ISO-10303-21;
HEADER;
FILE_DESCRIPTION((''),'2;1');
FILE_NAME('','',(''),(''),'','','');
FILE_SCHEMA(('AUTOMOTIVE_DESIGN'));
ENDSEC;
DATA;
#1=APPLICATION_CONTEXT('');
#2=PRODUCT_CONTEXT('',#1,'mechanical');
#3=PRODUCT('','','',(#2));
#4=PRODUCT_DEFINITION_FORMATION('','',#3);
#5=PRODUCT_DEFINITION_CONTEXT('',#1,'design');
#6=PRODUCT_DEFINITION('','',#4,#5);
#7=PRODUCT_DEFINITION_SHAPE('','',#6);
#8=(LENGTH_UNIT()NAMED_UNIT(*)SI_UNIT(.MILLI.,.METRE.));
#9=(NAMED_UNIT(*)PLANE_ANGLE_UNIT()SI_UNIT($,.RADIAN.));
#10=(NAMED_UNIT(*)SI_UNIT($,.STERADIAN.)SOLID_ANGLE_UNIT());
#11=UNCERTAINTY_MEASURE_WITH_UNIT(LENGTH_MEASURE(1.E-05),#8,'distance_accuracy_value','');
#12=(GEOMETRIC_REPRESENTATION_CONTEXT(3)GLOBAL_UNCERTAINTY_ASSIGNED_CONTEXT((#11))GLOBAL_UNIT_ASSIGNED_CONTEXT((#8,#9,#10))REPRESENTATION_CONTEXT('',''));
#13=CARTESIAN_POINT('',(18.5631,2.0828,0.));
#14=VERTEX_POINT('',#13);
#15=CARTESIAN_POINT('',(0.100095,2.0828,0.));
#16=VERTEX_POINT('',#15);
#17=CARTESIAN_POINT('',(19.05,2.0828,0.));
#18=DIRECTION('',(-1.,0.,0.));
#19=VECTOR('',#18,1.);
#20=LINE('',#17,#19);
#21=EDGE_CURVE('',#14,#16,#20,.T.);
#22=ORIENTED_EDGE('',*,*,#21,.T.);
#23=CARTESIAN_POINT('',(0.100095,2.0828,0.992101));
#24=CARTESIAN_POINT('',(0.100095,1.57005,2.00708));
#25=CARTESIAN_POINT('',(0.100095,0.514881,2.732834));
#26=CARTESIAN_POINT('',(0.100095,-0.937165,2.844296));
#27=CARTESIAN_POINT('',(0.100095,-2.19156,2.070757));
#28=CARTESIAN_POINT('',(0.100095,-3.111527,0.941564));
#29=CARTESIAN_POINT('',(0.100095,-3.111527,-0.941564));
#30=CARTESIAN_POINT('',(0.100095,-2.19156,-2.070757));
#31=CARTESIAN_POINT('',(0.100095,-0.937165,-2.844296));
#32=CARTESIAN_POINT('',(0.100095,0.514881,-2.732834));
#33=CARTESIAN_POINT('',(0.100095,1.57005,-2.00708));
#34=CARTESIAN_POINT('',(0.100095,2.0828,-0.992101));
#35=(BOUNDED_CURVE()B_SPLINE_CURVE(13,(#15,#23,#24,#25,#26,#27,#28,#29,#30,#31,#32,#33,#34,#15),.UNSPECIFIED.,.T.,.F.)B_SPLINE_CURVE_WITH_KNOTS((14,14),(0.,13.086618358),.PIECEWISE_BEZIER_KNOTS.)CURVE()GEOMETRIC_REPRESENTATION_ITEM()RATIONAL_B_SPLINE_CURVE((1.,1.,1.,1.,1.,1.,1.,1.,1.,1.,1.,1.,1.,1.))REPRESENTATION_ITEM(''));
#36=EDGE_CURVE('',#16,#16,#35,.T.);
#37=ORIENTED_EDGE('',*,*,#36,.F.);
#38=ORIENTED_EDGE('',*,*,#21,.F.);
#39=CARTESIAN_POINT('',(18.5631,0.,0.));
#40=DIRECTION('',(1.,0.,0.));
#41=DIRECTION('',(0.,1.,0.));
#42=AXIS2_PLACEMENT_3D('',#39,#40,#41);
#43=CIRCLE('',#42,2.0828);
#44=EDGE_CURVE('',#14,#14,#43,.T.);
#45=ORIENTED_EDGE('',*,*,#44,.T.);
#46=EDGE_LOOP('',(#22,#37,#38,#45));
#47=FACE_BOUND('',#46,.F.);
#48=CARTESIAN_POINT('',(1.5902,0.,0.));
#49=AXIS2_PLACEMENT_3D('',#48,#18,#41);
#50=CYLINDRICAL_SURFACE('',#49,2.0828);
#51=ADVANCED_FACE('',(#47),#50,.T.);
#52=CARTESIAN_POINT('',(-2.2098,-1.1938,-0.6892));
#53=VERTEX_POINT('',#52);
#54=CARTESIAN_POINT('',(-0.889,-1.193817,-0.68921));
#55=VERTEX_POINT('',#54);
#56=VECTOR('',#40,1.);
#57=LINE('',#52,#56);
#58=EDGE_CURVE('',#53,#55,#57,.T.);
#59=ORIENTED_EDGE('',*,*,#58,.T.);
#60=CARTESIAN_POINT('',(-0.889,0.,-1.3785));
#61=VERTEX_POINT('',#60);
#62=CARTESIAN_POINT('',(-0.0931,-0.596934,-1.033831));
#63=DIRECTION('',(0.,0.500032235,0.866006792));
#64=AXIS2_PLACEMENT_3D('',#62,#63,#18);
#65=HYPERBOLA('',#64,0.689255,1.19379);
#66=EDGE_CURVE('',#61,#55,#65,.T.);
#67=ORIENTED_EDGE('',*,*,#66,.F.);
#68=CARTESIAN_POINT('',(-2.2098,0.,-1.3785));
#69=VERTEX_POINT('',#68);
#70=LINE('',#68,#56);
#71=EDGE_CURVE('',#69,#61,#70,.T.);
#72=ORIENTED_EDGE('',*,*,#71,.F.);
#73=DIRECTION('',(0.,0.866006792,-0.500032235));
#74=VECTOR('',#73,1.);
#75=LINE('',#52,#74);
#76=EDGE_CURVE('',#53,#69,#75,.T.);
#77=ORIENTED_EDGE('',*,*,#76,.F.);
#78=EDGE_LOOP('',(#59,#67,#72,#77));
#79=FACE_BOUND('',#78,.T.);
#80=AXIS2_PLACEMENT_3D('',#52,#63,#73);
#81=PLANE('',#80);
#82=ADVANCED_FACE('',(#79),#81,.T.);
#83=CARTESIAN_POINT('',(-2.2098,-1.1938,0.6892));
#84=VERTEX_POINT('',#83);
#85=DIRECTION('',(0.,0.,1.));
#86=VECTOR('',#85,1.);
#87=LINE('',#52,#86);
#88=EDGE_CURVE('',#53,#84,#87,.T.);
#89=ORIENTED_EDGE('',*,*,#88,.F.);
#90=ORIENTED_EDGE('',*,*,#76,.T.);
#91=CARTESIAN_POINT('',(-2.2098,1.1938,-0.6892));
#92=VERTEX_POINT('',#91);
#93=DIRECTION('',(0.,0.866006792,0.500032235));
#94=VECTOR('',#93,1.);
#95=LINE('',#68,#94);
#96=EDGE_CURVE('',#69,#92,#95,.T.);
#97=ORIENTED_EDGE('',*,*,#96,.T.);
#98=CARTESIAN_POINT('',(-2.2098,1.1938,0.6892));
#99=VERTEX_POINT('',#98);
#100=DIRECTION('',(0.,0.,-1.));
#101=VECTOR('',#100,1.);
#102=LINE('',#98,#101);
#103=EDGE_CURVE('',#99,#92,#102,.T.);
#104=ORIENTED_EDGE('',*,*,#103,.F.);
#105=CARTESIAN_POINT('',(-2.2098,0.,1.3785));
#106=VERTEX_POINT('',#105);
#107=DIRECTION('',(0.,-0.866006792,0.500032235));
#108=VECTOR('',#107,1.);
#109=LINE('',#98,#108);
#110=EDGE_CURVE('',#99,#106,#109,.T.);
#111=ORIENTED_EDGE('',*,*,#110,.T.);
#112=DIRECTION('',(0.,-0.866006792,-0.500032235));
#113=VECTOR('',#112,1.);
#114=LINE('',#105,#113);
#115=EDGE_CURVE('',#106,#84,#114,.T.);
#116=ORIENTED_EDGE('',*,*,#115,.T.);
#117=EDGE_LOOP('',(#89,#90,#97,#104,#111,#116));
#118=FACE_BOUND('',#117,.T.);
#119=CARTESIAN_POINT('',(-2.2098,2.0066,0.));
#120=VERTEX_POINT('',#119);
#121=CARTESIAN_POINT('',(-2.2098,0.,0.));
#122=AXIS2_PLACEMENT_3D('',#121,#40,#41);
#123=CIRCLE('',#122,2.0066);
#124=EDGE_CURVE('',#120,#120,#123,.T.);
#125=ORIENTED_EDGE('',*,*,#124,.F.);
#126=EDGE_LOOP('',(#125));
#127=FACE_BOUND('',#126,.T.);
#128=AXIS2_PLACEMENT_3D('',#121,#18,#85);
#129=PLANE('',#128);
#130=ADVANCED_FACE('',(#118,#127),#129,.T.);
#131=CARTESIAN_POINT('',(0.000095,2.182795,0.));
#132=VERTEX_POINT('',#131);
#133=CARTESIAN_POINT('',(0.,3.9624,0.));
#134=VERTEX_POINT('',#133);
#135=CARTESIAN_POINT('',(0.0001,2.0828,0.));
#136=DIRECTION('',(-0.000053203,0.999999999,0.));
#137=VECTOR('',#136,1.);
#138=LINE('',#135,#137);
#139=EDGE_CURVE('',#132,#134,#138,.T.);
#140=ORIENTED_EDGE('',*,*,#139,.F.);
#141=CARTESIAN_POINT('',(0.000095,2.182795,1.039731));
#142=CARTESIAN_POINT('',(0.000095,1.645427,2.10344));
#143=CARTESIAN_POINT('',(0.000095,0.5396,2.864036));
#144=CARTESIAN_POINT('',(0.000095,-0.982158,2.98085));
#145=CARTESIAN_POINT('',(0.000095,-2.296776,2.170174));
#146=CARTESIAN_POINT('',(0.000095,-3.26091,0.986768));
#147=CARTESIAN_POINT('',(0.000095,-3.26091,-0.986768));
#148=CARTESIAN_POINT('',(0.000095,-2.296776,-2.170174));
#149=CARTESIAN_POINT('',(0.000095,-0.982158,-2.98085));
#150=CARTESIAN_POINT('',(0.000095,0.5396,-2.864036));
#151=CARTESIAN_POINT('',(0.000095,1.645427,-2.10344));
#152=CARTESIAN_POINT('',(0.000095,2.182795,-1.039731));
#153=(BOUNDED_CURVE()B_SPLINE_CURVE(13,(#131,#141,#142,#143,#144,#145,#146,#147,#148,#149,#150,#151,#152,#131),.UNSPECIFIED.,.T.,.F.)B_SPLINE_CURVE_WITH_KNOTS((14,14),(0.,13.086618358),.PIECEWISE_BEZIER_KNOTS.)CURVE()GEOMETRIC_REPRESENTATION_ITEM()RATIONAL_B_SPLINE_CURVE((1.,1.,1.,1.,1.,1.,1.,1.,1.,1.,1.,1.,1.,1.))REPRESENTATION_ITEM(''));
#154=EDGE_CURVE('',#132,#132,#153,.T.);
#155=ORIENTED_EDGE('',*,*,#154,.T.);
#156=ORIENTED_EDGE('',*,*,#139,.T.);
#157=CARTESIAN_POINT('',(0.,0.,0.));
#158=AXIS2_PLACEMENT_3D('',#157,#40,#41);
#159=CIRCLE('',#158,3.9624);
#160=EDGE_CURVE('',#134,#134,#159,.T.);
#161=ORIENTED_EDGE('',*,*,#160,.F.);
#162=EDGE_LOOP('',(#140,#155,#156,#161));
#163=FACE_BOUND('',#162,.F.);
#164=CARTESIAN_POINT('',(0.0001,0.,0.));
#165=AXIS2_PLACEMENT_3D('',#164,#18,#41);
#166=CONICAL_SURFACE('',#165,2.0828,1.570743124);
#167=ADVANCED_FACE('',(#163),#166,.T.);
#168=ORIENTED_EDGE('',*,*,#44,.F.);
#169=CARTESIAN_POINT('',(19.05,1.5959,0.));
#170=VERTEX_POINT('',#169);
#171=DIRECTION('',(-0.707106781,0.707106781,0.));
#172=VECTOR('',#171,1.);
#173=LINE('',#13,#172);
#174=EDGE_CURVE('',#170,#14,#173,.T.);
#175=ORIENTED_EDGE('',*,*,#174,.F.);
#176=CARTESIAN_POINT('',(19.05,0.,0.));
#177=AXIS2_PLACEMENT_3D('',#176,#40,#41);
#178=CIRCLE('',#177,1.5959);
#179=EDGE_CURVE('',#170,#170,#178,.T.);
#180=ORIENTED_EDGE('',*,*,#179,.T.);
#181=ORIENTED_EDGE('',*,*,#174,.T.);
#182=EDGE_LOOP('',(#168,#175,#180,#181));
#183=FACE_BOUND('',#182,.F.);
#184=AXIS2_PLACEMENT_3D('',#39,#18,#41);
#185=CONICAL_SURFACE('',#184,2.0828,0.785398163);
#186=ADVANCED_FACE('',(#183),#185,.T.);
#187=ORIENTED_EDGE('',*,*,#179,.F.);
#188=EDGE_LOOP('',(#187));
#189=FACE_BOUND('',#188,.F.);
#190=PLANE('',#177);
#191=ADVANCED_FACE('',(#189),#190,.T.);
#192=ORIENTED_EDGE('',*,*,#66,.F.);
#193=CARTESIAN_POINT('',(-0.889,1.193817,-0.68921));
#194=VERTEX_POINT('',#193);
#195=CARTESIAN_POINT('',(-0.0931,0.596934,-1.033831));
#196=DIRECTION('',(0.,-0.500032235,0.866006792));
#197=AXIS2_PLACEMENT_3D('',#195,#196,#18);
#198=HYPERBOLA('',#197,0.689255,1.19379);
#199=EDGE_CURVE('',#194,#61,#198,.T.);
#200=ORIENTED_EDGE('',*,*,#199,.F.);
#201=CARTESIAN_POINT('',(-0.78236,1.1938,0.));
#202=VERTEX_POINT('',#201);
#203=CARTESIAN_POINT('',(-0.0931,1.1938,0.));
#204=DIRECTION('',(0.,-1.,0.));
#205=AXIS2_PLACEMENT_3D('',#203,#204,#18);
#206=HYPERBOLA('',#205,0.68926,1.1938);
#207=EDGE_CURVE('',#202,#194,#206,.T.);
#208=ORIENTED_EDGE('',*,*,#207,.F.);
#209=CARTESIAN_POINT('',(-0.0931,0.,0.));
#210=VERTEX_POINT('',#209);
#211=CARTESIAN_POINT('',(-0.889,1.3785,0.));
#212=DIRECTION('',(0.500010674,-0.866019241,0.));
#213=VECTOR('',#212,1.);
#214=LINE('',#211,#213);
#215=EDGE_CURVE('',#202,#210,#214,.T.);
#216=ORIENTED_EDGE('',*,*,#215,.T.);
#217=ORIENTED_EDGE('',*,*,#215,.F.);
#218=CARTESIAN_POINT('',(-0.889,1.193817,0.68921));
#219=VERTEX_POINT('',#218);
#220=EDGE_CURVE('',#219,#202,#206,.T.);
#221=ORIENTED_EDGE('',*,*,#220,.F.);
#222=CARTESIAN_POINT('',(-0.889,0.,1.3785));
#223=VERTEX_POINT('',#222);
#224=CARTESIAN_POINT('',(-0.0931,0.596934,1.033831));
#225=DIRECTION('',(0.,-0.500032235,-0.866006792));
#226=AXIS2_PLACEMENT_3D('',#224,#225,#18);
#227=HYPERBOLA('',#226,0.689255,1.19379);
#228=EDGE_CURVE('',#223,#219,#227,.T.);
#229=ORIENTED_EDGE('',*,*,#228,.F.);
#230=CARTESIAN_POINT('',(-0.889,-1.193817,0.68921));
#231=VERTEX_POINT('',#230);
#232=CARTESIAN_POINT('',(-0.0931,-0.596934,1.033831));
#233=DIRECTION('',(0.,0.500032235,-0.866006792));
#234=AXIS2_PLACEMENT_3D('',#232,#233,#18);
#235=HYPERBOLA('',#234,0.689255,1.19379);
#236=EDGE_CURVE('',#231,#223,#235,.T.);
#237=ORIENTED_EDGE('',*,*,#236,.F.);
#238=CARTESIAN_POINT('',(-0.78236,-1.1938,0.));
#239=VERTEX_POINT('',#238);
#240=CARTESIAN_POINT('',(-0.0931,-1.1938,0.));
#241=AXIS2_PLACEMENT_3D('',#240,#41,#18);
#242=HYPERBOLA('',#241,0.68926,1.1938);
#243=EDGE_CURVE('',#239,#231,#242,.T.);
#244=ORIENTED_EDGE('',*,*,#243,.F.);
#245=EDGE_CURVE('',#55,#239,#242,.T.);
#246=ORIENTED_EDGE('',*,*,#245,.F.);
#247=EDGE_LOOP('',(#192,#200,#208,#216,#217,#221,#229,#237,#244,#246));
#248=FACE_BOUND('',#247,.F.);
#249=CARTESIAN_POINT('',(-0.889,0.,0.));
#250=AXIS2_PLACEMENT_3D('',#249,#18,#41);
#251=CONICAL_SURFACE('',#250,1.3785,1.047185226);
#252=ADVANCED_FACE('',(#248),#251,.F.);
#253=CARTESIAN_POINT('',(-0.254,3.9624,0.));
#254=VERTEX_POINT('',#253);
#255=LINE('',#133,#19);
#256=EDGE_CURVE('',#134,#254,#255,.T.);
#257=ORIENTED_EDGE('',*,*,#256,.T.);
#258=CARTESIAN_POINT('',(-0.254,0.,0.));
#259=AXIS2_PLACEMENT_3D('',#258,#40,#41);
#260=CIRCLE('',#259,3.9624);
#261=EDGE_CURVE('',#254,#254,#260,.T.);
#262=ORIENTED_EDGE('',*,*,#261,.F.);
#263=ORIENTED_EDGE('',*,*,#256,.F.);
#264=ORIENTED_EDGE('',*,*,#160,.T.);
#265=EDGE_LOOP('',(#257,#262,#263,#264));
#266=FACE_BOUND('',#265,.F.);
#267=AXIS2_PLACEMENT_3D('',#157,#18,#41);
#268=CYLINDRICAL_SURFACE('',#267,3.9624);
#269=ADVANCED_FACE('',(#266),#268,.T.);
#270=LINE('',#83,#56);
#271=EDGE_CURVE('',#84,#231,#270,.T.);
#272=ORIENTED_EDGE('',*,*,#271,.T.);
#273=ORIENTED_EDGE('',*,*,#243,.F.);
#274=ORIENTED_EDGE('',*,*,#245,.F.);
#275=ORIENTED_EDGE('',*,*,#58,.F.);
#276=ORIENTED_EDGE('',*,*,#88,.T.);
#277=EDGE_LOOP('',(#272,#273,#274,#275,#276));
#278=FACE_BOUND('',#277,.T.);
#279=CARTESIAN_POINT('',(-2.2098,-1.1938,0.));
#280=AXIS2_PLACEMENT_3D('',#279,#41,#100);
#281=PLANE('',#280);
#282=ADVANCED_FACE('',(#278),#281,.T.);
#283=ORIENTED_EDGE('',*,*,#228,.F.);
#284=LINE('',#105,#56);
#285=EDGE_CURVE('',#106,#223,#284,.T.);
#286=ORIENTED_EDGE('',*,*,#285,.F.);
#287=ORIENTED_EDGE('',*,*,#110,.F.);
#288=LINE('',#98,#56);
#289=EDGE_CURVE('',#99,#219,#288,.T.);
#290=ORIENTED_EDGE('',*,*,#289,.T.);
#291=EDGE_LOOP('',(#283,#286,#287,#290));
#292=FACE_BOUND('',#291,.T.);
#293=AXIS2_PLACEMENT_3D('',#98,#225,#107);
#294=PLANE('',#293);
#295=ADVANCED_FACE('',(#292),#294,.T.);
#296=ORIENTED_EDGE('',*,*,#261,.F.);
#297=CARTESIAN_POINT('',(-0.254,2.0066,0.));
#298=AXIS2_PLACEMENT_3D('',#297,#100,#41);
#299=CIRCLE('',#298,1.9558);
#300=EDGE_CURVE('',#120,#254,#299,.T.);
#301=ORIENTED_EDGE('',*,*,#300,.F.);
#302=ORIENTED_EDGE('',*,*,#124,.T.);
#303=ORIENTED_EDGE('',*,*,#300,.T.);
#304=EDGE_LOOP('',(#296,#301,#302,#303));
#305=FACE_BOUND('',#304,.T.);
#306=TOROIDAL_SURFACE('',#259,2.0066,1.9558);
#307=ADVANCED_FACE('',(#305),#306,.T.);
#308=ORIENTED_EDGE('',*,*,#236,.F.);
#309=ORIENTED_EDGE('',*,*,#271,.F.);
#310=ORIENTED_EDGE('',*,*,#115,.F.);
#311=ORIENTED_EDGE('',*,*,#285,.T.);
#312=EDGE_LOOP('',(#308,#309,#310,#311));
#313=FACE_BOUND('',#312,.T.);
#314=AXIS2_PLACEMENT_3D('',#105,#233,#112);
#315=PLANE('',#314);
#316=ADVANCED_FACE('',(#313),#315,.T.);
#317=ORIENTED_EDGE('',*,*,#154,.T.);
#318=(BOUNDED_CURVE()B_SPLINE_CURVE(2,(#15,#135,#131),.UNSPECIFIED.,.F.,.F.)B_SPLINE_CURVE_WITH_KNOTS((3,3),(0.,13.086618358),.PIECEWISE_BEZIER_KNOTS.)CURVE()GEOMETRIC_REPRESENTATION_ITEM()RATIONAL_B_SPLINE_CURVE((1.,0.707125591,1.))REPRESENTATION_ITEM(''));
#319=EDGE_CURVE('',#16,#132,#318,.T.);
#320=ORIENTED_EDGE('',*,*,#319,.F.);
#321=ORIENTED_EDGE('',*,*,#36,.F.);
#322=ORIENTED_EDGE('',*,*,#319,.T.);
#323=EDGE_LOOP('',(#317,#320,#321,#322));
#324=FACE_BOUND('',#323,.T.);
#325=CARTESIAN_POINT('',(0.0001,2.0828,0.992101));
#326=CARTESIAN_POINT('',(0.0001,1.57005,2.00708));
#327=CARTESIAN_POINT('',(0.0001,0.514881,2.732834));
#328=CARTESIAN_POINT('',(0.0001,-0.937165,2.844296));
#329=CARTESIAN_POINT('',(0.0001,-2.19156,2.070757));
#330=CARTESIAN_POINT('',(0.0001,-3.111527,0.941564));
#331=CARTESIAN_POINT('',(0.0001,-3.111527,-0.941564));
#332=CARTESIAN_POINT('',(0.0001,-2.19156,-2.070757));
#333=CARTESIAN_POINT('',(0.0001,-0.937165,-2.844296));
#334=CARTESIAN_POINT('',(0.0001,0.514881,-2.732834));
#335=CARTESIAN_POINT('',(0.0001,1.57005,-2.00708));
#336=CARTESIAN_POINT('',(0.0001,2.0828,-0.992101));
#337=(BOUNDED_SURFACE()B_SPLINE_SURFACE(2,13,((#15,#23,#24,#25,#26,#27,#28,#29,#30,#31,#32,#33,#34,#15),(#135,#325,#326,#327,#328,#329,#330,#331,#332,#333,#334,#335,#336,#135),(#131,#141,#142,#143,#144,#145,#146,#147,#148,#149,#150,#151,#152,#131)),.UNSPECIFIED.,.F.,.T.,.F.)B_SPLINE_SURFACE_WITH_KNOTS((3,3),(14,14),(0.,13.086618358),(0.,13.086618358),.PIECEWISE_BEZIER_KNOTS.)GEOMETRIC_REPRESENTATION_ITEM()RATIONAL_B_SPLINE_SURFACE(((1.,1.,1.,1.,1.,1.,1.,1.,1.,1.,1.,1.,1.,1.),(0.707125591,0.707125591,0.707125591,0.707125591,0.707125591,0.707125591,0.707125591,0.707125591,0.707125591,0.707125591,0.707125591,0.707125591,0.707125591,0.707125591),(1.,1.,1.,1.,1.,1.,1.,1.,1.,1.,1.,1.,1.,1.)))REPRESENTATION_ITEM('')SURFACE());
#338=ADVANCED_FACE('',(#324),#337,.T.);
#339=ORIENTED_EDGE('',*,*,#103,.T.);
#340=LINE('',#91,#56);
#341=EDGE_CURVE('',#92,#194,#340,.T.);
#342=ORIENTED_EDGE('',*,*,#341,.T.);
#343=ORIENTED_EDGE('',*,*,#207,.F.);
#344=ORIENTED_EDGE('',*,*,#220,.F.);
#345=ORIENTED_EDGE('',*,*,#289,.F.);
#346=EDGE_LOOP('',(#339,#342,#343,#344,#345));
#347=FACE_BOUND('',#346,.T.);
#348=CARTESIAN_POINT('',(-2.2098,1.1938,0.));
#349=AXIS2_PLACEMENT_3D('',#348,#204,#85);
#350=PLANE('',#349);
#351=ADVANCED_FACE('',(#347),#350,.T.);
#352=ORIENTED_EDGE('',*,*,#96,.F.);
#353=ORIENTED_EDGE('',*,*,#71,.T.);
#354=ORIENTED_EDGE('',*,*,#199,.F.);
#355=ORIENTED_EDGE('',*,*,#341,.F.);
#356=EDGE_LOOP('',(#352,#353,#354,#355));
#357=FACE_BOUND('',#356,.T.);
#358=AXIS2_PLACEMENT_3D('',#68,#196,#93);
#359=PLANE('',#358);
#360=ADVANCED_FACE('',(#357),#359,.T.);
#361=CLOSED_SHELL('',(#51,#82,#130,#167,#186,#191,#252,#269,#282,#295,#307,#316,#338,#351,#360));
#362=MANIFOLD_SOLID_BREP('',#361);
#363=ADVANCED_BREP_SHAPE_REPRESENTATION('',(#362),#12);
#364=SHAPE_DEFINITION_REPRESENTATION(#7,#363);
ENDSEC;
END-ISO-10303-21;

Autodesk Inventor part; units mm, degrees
ref_plane "YZ Plane" through (0, 0, 0) normal (1, 0, 0) x (0, 1, 0)
ref_plane "XZ Plane" through (0, 0, 0) normal (0, 1, 0) x (-1, 0, 0)
sketch "Sketch1" plane through (0, 0, 0) normal (0, 0, 1) x (1, 0, 0)
  line L0 (-0.0931, 0) -> (19.05, 0)
  line L1 (19.05, 0) -> (19.05, 2.0828)
  line L2 (19.05, 2.0828) -> (1.5902, 2.0828)
  line L3 (1.5902, 2.0828) -> (0.0001, 2.0828)
  line L4 (0.0001, 2.0828) -> (0, 2.0828)
  line L5 (0, 2.0828) -> (0, 3.9624)
  line L6 (0, 3.9624) -> (-2.2098, 3.9624)
  line L7 (-2.2098, 3.9624) -> (-2.2098, 1.3785)
  line L8 (-2.2098, 1.3785) -> (-0.889, 1.3785)
  line L9 (-0.889, 1.3785) -> (-0.0931, 0)
  line L10 (-6.4618, 0) -> (23.302, 0) projected
  line L11 (0, -0.7925) -> (0, 4.7549) projected
  line L12 (1.5902, 2.0828) -> (0, 2.0828) construction
  dimension "d1" = 17.4598
  dimension "d2" = 1.5901
  dimension "d3" = 2.2098
  dimension "d4" = 1.3208
  dimension "d5" = 60
  dimension "d6" = 4.1656
  dimension "d7" = 4.1656
  dimension "d8" = 2.757
  dimension "d9" = 7.9248
  dimension "d26" = 19.05
revolve "Body" add sketch "Sketch1" angle 360 about axis through (-0.0931, 0, 0) along (1, 0, 0)
sketch "Sketch2" plane through (-2.2098, 0, 0) normal (-1, 0, 0) x (0, 0, 1)
  circle A0 centre (0, 0) radius 1.3785 projected
  line L0 (0, -5.5474) -> (0, 5.5474) projected
  line L1 (-5.5474, 0) -> (5.5474, 0) projected
  line L2 (1.3785, 0) -> (0.6892, -1.1938)
  line L3 (0.6892, -1.1938) -> (-0.6892, -1.1938)
  line L4 (-0.6892, -1.1938) -> (-1.3785, 0)
  line L5 (-1.3785, 0) -> (-0.6892, 1.1938)
  line L6 (-0.6892, 1.1938) -> (0.6892, 1.1938)
  line L7 (0.6892, 1.1938) -> (1.3785, 0)
extrude "Slot" add sketch "Sketch2" against normal up to next contours L7 A0 | A0 L2 | L6 L0 A0 | A0 L0 L3 | L0 L6 A0 | A0 L3 L0 | L4 A0 | A0 L5
fillet "Fillet1" radius 1.9558 1 edges at (-2.2098, -3.9624, 0)
thread "Thread" size "8-32 UNC" class "2A" standard "ANSI Unified Screw Threads" length 17.4598
chamfer "Chamfer1" distance 0.4869 distance2 0.4869 1 edges at (19.05, -2.0828, 0) measured on face at (19.05, 0.9848, 0.284)
ref_plane "Work Plane1" through (29, 0, 0) normal (0, -1, 0) x (1, 0, 0)
fillet "Fillet2" radius 0.1 1 edges at (0.0001, -2.0828, 0)
equation "\"d1\" = GEL"
equation "\"d3\" = KOH"
equation "\"d4\" = INTI"
equation "\"d6\" = GD"
equation "\"d7\" = BDM"
equation "\"d8\" = 1.1547 * SW"
equation "\"d9\" = KOD"
equation "\"d26\" = NLG"
equation "\"d30\" = R"
equation "\"d17\" = RR"
equation "\"d13\" = GEL"
equation "\"d15\" = -0.5 * SPD + 0.5 * GD"
equation "\"d16\" = GUL"
equation "\"GD\" = NND"
equation "\"NLG\" = 19.05"
equation "\"GEL\" = 17.45976"
equation "\"KOD\" = 7.9248"
equation "\"KOH\" = 2.2098"
equation "\"INTI\" = 1.3208"
equation "\"GAL\" = 1.59004"
equation "\"GUL\" = 0.48692"
equation "\"BDM\" = NND"
equation "\"SW\" = 2.3876"
equation "\"RR\" = 1.9558"
equation "\"SPD\" = 3.19176"
equation "\"R\" = 0.1"
equation "\"TOA\" = 30deg"
equation "\"GD1\" = SPD"
equation "\"THREADDIA\" = 4.1656"
equation "\"KOH1\" = 0.381"
equation "\"NND\" = 4.1656"
equation "\"E0\" = 2.75768"
properties part number "ANSI B18.3 - 8 - 32 x 3/4" material "Steel, Mild"
